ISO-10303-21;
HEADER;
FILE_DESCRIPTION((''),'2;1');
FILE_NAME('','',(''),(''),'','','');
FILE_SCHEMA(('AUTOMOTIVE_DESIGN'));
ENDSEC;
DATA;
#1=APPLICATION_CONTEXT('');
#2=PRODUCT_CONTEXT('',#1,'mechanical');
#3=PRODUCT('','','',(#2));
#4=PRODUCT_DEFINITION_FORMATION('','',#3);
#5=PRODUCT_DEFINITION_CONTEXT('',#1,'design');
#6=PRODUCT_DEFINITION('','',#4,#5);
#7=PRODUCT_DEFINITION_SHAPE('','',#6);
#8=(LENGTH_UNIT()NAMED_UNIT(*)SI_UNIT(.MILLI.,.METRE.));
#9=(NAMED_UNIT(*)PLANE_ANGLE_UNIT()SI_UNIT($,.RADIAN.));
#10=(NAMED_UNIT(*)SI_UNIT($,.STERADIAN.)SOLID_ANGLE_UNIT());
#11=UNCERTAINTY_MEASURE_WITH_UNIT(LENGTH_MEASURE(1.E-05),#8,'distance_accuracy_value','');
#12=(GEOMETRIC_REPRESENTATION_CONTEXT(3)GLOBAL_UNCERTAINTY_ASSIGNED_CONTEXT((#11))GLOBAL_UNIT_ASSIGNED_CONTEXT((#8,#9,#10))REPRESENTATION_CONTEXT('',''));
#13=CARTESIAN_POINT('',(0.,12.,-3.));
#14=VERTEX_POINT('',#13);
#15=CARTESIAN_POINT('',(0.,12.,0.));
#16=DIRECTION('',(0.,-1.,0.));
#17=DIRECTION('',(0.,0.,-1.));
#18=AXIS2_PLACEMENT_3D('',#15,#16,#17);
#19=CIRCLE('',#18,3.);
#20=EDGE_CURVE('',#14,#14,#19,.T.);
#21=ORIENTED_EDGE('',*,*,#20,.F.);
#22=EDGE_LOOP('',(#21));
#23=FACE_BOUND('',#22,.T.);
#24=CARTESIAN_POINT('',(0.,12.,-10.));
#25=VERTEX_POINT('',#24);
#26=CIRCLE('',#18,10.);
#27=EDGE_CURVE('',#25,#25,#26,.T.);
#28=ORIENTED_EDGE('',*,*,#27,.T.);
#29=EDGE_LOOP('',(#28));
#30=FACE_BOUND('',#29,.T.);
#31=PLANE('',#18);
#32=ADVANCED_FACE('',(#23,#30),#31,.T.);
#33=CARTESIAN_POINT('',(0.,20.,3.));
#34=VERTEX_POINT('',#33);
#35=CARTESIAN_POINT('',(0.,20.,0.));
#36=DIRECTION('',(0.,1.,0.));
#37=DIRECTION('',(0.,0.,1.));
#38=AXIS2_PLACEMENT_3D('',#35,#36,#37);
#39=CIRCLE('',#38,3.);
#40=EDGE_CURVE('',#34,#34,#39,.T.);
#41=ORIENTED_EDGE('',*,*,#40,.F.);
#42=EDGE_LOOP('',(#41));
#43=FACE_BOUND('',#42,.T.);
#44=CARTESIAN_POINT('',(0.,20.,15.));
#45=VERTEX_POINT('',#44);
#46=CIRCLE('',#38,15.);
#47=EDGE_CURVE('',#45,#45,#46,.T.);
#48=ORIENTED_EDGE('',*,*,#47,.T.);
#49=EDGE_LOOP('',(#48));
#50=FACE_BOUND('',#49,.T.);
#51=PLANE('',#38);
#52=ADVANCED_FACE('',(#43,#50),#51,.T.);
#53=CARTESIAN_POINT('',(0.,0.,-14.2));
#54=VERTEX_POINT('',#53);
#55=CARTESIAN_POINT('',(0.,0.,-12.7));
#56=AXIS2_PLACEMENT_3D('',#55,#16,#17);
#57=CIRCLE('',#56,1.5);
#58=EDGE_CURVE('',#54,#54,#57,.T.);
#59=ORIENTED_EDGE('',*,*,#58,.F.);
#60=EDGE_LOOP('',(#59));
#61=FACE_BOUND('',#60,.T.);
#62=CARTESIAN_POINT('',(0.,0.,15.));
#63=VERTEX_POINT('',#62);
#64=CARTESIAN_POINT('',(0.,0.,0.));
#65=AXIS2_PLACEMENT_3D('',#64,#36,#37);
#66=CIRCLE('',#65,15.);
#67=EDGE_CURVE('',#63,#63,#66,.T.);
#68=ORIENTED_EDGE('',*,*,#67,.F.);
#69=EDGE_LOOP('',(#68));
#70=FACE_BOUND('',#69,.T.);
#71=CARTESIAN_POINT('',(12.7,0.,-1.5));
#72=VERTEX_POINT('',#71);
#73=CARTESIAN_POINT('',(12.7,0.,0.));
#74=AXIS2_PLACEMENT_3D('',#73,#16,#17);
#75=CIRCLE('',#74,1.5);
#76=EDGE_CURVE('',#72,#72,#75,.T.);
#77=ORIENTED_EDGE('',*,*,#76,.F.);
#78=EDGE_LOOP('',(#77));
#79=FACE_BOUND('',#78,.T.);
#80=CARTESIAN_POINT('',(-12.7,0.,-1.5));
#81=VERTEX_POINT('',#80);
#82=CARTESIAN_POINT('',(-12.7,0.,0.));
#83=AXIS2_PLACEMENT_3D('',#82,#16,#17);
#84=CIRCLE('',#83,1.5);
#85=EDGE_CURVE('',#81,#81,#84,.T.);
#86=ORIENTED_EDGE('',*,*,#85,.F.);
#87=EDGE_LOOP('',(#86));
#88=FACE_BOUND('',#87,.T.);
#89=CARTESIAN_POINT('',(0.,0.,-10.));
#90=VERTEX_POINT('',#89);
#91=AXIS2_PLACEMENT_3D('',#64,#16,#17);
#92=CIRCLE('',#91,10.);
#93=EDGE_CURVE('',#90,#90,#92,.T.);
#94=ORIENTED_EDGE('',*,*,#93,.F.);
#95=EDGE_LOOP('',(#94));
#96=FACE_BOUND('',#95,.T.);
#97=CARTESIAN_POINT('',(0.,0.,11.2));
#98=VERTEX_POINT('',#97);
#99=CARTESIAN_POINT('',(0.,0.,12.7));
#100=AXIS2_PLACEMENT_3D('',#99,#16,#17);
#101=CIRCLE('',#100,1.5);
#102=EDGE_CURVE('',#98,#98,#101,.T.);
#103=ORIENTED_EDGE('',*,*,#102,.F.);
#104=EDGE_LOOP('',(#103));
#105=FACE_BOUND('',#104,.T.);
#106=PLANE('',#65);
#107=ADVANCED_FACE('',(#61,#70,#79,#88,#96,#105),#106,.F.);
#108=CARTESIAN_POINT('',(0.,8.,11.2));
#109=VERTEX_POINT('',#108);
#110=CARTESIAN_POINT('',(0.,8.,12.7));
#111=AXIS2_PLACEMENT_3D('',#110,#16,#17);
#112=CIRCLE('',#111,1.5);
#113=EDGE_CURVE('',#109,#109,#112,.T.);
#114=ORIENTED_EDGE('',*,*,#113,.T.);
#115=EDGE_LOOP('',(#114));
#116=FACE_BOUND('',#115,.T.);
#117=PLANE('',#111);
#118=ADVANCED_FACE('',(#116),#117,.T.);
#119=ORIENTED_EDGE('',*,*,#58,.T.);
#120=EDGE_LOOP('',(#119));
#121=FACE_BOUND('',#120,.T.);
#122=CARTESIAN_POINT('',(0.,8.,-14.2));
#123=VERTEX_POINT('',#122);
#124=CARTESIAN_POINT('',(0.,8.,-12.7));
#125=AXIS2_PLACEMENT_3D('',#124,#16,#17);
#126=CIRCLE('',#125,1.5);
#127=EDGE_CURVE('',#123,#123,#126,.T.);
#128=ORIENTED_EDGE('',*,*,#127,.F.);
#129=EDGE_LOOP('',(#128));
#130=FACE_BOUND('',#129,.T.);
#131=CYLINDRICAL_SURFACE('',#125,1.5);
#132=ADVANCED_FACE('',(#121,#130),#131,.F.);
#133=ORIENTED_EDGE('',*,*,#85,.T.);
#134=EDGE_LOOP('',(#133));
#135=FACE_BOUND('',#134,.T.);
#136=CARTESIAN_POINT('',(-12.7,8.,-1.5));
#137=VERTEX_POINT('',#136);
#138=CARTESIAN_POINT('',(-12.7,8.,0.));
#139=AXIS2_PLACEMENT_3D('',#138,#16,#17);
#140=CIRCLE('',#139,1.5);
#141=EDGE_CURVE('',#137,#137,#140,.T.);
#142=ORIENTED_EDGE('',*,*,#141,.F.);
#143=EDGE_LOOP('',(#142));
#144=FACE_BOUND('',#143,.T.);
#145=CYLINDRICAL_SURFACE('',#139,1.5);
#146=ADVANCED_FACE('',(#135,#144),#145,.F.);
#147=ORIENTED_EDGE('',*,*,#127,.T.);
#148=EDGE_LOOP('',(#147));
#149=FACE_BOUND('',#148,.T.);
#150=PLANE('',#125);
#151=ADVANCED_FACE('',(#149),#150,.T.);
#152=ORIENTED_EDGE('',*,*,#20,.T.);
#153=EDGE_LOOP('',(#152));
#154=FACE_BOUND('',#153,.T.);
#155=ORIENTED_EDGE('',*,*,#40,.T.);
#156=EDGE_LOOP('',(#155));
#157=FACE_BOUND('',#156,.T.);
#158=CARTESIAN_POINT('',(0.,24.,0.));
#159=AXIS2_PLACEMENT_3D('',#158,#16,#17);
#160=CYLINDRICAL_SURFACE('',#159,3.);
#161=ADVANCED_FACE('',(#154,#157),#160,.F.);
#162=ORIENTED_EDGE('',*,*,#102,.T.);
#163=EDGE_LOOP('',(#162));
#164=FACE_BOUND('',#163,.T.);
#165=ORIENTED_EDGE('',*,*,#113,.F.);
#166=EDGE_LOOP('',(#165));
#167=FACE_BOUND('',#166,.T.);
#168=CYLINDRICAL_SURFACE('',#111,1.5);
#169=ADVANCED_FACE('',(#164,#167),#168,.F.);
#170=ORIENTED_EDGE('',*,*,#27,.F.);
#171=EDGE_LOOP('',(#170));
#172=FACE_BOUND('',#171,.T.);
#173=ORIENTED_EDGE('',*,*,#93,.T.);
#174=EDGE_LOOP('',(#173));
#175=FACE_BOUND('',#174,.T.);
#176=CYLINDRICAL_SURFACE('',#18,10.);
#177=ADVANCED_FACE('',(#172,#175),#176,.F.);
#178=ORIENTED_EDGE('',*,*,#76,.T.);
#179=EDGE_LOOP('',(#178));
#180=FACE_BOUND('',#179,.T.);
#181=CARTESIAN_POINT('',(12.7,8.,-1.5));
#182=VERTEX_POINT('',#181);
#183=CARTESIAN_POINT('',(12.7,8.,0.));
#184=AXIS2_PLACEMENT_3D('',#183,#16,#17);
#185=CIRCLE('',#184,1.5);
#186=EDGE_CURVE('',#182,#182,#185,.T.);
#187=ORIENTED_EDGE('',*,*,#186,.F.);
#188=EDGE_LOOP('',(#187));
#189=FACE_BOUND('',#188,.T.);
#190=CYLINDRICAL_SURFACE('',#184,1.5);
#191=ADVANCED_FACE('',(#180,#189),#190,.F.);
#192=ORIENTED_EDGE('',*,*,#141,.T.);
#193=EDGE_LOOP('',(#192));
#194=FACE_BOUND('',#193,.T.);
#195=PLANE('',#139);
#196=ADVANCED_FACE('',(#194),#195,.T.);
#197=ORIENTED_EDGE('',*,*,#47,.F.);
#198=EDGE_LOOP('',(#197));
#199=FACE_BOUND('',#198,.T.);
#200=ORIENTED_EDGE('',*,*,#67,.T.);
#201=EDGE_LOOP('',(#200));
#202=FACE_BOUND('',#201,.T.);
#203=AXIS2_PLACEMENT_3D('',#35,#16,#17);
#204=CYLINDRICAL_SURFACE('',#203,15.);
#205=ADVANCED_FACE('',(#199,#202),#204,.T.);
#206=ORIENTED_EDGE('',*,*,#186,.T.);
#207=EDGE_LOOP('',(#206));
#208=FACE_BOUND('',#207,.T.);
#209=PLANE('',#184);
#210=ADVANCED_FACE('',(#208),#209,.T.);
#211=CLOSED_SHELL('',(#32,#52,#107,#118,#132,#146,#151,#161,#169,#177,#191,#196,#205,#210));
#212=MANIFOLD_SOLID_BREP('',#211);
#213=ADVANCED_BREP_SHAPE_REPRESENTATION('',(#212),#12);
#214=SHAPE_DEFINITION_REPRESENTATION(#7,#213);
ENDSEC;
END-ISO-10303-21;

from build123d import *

# Parameters (mm, degrees)
ESQUISSE1_R             = 15
BOSS_EXTRU_1_DEPTH      = 20
ESQUISSE2_R             = 10
ENL_V_MAT_EXTRU_1_DEPTH = 12
ESQUISSE3_R             = 3
ENL_V_MAT_EXTRU_2_DEPTH = 12
ESQUISSE4_R             = 1.5
ENL_V_MAT_EXTRU_3_DEPTH = 8


with BuildPart() as part:
    # Esquisse1 → Boss.-Extru.1 (new body)
    with BuildSketch(Plane(origin=(0, 0, 0), x_dir=(1, 0, 0), z_dir=(0, 1, 0))):
        with Locations(Location((0, 0, 0), (0, 0, 270))):
            Circle(ESQUISSE1_R)
    extrude(amount=BOSS_EXTRU_1_DEPTH)

    # Esquisse2 → Enlèv. mat.-Extru.1 (cut)
    with BuildSketch(Plane(origin=(0, 0, 0), x_dir=(-1, 0, 0), z_dir=(0, -1, 0))):
        with Locations(Location((0, 0, 0), (0, 0, 90))):
            Circle(ESQUISSE2_R)
    extrude(amount=-ENL_V_MAT_EXTRU_1_DEPTH, mode=Mode.SUBTRACT)

    # Esquisse3 → Enlèv. mat.-Extru.2 (cut)
    with BuildSketch(Plane(origin=(0, 12, 0), x_dir=(-1, 0, 0), z_dir=(0, -1, 0))):
        with Locations(Location((0, 0, 0), (0, 0, 90))):
            Circle(ESQUISSE3_R)
    extrude(amount=-ENL_V_MAT_EXTRU_2_DEPTH, mode=Mode.SUBTRACT)

    # Esquisse4 → Enlèv. mat.-Extru.3 (cut)
    with BuildSketch(Plane(origin=(0, 0, 0), x_dir=(-1, 0, 0), z_dir=(0, -1, 0))):
        with Locations(Location((-12.7, 0, 0), (0, 0, 90))):
            Circle(ESQUISSE4_R)
        with Locations(Location((0, -12.7, 0), (0, 0, 90))):
            Circle(ESQUISSE4_R)
        with Locations(Location((12.7, 0, 0), (0, 0, 90))):
            Circle(ESQUISSE4_R)
        with Locations(Location((0, 12.7, 0), (0, 0, 90))):
            Circle(ESQUISSE4_R)
    extrude(amount=-ENL_V_MAT_EXTRU_3_DEPTH, mode=Mode.SUBTRACT)


solid = part.part
